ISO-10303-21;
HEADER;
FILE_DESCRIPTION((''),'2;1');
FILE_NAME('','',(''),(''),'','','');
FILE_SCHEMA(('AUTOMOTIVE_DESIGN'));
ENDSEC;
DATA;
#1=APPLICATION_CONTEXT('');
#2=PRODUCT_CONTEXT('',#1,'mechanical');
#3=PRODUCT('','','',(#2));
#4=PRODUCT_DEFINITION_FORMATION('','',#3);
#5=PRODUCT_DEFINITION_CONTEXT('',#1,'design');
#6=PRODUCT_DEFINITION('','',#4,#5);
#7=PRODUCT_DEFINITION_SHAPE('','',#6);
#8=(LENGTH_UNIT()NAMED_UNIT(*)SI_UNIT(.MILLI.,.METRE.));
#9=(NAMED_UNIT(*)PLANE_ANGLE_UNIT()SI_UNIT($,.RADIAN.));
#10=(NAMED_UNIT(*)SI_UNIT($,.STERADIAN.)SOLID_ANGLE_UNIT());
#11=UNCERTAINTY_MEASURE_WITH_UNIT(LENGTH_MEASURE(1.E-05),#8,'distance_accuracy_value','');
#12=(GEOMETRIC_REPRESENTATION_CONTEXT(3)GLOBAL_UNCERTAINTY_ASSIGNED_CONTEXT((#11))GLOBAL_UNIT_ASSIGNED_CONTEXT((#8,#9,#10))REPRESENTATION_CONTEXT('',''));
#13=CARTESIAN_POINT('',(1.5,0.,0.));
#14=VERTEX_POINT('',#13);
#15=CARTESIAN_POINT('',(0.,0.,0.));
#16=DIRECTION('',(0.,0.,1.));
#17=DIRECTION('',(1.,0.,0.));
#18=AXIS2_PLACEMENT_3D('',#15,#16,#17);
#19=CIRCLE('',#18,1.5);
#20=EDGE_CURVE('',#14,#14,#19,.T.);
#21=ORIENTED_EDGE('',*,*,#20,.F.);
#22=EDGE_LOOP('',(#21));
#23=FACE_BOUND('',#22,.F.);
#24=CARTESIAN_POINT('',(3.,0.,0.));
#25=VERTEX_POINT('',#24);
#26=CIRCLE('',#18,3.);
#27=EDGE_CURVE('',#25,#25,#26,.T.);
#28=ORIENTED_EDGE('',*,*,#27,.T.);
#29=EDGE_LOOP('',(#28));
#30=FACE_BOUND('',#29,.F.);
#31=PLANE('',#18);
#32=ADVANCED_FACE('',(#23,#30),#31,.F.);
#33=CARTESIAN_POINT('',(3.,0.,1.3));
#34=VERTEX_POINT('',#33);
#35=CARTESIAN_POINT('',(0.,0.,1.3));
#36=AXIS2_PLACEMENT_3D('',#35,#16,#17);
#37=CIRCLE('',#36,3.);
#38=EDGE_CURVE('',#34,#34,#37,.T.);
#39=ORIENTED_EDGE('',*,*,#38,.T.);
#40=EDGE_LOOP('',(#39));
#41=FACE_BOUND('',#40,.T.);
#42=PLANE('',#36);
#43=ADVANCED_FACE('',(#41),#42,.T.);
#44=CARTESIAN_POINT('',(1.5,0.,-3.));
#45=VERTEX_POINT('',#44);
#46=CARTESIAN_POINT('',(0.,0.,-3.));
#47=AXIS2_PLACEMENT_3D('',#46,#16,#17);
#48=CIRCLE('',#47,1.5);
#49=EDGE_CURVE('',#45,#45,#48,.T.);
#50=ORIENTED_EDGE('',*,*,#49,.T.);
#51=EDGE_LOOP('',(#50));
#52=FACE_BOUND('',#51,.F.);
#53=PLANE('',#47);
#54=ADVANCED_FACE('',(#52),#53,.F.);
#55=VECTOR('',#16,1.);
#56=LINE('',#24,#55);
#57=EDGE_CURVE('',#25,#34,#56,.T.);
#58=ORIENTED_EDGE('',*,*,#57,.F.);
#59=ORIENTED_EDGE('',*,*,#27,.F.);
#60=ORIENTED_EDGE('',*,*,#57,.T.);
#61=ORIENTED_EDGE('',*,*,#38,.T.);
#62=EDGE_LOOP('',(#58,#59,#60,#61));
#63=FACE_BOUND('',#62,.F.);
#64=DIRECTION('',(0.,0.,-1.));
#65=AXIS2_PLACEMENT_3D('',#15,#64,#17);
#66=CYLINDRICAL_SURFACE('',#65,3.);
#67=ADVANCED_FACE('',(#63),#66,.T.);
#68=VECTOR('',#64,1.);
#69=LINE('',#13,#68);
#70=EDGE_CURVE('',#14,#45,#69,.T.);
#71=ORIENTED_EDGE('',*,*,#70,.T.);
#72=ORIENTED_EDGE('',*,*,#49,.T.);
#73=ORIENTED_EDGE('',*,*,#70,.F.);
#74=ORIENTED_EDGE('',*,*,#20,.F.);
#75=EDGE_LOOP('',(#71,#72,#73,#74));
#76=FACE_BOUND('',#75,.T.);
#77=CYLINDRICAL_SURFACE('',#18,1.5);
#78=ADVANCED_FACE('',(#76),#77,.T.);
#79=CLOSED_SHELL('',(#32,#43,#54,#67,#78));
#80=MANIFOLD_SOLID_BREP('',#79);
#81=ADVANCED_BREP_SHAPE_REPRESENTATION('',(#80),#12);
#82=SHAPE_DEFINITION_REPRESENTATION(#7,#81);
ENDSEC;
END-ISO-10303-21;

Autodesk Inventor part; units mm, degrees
ref_plane "YZ Plane" through (0, 0, 0) normal (1, 0, 0) x (0, 1, 0)
ref_plane "XZ Plane" through (0, 0, 0) normal (0, 1, 0) x (-1, 0, 0)
ref_plane "XY Plane" through (0, 0, 0) normal (0, 0, 1) x (1, 0, 0)
sketch "スケッチ1" plane through (0, 0, 0) normal (0, 0, 1) x (1, 0, 0)
  circle A0 centre (0, 0) radius 3
  circle A1 centre (0, 0) radius 1.5
  dimension "d0" = 6
  dimension "d1" = 3
extrude "押し出し1" add sketch "スケッチ1" along normal blind 1.3 contours A0 | A1
extrude "押し出し2" add sketch "スケッチ1" against normal blind 3 contours A1
properties part number "m3 低頭ねじ 3mm (売ってない)" material "鋼、炭素鋼"
